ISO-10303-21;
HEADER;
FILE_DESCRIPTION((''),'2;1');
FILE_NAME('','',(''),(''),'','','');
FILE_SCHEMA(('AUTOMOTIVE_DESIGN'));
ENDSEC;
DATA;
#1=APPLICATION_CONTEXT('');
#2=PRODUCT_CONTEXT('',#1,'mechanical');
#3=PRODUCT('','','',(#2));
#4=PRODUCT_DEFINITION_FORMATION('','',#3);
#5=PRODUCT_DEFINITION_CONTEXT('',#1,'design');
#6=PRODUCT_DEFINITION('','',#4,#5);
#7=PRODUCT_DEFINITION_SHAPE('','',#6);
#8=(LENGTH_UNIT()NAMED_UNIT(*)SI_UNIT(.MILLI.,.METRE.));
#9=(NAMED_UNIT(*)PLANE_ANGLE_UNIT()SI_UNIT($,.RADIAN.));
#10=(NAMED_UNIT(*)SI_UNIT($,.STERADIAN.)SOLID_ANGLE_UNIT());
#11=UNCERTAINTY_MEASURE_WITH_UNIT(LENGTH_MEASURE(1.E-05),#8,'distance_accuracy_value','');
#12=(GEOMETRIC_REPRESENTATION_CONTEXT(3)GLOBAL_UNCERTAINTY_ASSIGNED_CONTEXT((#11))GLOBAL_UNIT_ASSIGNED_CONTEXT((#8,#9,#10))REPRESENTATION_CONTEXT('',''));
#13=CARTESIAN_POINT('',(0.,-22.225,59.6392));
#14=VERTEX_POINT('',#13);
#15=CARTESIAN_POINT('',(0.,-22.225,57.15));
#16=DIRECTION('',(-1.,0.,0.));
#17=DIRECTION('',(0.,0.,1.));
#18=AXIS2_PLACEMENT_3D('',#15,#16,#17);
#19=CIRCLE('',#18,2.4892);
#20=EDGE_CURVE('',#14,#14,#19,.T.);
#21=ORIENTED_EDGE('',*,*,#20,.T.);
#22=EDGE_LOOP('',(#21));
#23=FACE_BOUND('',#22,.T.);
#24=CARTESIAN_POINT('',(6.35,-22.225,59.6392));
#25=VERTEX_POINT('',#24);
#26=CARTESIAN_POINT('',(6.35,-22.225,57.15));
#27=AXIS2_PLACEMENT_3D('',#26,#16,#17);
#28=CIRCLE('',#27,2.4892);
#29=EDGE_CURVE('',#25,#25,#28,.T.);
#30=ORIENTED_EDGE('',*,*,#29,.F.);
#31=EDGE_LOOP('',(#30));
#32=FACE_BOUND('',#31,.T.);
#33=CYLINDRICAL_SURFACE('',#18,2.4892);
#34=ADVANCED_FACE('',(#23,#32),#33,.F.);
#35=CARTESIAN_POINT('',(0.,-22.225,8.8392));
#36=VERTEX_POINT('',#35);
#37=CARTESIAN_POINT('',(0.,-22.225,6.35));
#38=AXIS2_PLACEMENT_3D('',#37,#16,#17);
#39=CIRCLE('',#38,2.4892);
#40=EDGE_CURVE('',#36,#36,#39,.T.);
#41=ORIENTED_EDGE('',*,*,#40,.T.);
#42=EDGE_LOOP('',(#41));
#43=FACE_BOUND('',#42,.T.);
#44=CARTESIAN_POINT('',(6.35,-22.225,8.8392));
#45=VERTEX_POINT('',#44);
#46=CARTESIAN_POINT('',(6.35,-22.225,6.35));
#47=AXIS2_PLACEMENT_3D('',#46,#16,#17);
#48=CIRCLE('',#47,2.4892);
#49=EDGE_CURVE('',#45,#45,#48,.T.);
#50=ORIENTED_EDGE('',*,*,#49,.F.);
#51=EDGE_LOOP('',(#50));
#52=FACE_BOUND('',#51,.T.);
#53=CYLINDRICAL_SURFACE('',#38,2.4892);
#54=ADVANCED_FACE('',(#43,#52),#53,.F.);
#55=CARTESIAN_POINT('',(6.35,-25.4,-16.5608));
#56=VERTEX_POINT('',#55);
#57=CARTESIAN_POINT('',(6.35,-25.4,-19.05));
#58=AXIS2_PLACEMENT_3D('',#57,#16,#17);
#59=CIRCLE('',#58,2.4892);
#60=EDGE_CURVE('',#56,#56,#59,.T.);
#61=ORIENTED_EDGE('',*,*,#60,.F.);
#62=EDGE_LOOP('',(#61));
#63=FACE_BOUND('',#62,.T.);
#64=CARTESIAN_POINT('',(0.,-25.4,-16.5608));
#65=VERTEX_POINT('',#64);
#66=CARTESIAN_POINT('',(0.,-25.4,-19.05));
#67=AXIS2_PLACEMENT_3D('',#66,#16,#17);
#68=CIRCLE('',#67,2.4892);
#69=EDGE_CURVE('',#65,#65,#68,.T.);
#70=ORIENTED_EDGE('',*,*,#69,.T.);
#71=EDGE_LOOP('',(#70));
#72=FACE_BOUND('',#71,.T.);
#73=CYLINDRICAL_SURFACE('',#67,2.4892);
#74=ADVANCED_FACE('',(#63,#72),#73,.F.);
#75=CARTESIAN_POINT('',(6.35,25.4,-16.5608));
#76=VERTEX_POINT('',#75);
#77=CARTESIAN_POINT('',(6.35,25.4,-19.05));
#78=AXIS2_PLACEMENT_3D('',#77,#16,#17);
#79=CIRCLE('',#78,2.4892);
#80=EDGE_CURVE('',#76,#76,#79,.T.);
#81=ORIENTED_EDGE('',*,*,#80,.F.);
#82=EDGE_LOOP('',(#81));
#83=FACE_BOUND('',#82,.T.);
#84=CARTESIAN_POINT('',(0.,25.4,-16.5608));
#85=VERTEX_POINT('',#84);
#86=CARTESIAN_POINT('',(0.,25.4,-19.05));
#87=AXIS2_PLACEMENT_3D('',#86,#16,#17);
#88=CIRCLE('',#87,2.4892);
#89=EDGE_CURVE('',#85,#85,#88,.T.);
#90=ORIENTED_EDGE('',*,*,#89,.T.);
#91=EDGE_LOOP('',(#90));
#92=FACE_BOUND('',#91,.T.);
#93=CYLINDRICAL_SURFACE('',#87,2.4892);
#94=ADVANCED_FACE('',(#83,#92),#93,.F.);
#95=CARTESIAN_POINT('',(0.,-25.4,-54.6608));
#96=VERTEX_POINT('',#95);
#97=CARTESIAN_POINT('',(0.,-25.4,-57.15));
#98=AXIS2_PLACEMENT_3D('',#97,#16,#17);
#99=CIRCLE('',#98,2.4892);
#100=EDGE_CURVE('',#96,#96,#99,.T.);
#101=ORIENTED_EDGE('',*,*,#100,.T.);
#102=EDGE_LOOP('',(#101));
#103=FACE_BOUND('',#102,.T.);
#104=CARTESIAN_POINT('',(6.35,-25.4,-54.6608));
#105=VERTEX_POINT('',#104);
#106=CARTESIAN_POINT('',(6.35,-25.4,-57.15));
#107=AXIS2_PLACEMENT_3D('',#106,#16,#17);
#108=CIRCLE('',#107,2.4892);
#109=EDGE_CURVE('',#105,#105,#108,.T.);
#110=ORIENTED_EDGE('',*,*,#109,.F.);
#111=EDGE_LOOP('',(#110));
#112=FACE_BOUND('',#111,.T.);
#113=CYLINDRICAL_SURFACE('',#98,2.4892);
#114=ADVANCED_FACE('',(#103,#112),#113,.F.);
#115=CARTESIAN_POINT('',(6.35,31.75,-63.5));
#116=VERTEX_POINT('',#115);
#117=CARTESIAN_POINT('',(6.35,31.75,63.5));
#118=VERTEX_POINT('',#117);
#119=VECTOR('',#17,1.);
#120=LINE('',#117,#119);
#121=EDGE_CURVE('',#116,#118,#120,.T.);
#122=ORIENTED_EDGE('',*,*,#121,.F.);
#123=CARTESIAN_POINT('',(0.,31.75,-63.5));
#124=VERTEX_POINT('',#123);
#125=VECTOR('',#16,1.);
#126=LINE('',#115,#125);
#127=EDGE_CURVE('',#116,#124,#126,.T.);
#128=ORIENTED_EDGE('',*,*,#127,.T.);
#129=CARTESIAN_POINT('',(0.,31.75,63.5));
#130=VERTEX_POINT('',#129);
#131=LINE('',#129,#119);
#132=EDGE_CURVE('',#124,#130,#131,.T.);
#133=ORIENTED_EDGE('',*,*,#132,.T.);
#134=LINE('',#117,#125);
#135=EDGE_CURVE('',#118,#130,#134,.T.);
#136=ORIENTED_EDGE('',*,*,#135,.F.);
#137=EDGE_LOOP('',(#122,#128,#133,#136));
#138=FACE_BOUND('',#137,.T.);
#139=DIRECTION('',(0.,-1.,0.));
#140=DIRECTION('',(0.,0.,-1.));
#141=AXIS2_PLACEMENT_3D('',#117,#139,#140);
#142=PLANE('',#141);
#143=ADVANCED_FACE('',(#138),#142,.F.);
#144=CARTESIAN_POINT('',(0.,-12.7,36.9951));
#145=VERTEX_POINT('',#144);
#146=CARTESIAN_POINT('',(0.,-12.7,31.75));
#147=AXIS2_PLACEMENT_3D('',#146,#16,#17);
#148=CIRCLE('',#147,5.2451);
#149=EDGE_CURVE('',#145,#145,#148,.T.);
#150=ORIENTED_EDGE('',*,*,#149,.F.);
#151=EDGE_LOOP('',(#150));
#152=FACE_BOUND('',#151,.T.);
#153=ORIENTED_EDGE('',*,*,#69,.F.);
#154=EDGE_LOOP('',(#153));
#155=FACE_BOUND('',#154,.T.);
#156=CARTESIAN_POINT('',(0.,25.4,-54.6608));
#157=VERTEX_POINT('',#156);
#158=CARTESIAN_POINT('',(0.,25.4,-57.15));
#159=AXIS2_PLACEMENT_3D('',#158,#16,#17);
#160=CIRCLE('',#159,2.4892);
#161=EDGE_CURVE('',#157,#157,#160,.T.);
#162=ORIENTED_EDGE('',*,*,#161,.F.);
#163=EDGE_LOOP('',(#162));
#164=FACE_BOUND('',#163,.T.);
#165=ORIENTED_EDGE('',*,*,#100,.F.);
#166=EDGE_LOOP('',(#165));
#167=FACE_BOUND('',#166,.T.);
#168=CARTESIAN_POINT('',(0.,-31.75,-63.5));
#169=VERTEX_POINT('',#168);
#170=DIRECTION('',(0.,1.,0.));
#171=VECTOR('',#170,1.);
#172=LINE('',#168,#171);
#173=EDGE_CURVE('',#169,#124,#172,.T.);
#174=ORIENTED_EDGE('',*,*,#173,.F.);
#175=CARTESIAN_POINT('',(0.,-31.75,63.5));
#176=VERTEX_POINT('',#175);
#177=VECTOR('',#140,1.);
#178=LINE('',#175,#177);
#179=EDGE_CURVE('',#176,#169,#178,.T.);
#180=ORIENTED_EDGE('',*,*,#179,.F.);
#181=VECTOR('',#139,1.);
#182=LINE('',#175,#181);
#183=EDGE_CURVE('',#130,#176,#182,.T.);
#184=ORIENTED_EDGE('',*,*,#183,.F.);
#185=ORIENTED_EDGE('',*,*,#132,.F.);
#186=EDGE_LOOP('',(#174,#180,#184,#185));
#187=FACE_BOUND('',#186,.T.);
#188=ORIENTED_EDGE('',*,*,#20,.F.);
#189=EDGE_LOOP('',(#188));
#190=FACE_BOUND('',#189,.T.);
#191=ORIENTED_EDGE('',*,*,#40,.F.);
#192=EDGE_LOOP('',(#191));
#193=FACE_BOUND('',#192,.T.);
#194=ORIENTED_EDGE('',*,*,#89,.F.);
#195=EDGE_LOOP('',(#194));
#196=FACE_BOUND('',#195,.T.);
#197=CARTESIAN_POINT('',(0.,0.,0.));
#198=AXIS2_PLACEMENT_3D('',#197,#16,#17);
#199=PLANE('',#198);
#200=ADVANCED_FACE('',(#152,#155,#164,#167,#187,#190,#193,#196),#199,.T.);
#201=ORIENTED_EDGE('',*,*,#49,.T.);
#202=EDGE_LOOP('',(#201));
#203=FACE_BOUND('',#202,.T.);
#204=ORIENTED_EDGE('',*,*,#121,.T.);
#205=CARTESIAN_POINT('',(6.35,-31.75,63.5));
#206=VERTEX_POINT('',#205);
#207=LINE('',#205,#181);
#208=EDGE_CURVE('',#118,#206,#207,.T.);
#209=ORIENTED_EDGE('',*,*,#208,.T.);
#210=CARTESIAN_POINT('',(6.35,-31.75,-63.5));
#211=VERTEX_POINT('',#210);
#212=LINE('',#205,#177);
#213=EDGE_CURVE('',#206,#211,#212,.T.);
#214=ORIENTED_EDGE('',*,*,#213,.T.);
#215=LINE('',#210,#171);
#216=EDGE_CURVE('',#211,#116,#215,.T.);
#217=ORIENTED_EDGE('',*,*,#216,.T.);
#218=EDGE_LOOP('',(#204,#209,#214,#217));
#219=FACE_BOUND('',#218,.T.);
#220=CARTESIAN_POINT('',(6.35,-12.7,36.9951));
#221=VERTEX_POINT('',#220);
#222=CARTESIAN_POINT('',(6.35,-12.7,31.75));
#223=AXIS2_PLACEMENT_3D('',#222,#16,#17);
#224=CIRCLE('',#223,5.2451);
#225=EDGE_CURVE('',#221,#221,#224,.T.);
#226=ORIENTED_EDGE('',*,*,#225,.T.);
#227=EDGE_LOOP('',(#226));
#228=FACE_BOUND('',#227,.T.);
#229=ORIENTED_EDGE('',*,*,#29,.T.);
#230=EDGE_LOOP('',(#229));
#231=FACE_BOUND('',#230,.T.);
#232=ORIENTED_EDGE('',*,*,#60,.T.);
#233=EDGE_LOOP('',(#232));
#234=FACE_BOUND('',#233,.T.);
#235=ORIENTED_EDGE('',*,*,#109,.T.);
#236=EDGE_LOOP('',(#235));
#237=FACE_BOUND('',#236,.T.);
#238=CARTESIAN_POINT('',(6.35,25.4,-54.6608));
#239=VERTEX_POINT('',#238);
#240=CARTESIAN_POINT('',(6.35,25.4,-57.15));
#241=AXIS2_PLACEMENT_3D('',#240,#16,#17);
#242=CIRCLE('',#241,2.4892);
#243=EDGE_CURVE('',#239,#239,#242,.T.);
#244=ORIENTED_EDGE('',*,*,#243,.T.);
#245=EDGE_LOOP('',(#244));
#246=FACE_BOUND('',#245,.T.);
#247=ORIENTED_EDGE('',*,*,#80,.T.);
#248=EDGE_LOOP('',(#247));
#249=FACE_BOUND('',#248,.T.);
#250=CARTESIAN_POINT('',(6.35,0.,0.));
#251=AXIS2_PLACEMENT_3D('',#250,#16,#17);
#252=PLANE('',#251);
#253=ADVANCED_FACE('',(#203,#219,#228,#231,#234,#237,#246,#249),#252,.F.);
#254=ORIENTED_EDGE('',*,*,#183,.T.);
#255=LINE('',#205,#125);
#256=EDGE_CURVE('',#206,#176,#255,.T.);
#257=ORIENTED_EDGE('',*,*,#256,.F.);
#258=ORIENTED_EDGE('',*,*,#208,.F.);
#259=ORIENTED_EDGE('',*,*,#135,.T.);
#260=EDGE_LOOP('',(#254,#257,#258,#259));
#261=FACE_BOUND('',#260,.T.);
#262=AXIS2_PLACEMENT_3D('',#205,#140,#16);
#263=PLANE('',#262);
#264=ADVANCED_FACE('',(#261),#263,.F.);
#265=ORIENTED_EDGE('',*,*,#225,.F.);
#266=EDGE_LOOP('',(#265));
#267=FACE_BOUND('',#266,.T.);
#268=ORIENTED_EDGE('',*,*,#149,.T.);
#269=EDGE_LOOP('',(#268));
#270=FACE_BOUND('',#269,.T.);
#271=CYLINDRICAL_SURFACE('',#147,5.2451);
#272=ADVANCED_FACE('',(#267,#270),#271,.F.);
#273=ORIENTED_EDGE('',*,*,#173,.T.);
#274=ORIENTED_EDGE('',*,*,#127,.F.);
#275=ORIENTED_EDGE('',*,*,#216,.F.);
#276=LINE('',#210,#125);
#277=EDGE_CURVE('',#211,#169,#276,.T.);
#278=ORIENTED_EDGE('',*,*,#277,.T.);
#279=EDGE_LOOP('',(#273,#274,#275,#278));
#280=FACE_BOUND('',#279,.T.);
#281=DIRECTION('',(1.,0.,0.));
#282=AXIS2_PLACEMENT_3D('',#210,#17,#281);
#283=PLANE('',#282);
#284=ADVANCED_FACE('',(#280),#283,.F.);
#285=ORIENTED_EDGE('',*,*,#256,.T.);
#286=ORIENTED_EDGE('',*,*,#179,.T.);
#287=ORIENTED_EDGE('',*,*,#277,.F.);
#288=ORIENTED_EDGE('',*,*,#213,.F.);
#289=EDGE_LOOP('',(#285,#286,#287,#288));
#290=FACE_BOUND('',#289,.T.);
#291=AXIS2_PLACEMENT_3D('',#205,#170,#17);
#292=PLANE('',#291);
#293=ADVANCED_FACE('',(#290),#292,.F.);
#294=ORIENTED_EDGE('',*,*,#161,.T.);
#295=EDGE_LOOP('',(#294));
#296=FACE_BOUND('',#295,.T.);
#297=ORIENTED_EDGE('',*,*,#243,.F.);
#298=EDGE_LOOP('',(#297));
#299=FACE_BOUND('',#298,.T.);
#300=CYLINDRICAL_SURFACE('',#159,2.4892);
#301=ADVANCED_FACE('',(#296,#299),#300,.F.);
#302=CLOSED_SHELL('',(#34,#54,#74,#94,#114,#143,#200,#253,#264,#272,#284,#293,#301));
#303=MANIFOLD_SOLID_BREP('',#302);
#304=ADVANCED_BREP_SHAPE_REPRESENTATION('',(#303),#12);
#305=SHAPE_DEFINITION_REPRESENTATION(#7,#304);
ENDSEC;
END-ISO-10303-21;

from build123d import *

# Parameters (mm, degrees)
SKETCH1_W                      = 127
SKETCH1_H                      = 63.5
BOSS_EXTRUDE1_DEPTH            = 6.35
F_9_0_196_DIAMETER_HOLE1_D     = 4.9784
F_9_0_196_DIAMETER_HOLE1_DEPTH = 70.104
F_9_0_196_DIAMETER_HOLE1_TIP   = 1.495662253
F_9_0_196_DIAMETER_HOLE2_D     = 4.9784
F_9_0_196_DIAMETER_HOLE2_DEPTH = 70.104
F_9_0_196_DIAMETER_HOLE2_TIP   = 1.495662253
Z_0_413_DIAMETER_HOLE1_D       = 10.4902
Z_0_413_DIAMETER_HOLE1_DEPTH   = 70.104
Z_0_413_DIAMETER_HOLE1_TIP     = 3.151574033


with BuildPart() as part:
    # Sketch1 → Boss-Extrude1 (new body)
    with BuildSketch(Plane(origin=(0, 0, 0), x_dir=(0, 0, -1), z_dir=(1, 0, 0))):
        Rectangle(SKETCH1_W, SKETCH1_H)
    extrude(amount=BOSS_EXTRUDE1_DEPTH)

    # #9 (0.196) Diameter Hole1
    with Locations(Plane.ZY):
        with Locations((57.15, -22.225), (6.35, -22.225)):
            Hole(F_9_0_196_DIAMETER_HOLE1_D / 2, depth=F_9_0_196_DIAMETER_HOLE1_DEPTH)
            with Locations((0, 0, -(F_9_0_196_DIAMETER_HOLE1_DEPTH + F_9_0_196_DIAMETER_HOLE1_TIP / 2))):  # 118° drill point
                Cone(0, F_9_0_196_DIAMETER_HOLE1_D / 2, F_9_0_196_DIAMETER_HOLE1_TIP, mode=Mode.SUBTRACT)

    # #9 (0.196) Diameter Hole2
    with Locations(Plane.ZY):
        with Locations((-57.15, -25.4), (-19.05, -25.4), (-19.05, 25.4), (-57.15, 25.4)):
            Hole(F_9_0_196_DIAMETER_HOLE2_D / 2, depth=F_9_0_196_DIAMETER_HOLE2_DEPTH)
            with Locations((0, 0, -(F_9_0_196_DIAMETER_HOLE2_DEPTH + F_9_0_196_DIAMETER_HOLE2_TIP / 2))):  # 118° drill point
                Cone(0, F_9_0_196_DIAMETER_HOLE2_D / 2, F_9_0_196_DIAMETER_HOLE2_TIP, mode=Mode.SUBTRACT)

    # Z (0.413) Diameter Hole1
    with Locations(Plane.ZY):
        with Locations((31.75, -12.7)):
            Hole(Z_0_413_DIAMETER_HOLE1_D / 2, depth=Z_0_413_DIAMETER_HOLE1_DEPTH)
            with Locations((0, 0, -(Z_0_413_DIAMETER_HOLE1_DEPTH + Z_0_413_DIAMETER_HOLE1_TIP / 2))):  # 118° drill point
                Cone(0, Z_0_413_DIAMETER_HOLE1_D / 2, Z_0_413_DIAMETER_HOLE1_TIP, mode=Mode.SUBTRACT)


solid = part.part
